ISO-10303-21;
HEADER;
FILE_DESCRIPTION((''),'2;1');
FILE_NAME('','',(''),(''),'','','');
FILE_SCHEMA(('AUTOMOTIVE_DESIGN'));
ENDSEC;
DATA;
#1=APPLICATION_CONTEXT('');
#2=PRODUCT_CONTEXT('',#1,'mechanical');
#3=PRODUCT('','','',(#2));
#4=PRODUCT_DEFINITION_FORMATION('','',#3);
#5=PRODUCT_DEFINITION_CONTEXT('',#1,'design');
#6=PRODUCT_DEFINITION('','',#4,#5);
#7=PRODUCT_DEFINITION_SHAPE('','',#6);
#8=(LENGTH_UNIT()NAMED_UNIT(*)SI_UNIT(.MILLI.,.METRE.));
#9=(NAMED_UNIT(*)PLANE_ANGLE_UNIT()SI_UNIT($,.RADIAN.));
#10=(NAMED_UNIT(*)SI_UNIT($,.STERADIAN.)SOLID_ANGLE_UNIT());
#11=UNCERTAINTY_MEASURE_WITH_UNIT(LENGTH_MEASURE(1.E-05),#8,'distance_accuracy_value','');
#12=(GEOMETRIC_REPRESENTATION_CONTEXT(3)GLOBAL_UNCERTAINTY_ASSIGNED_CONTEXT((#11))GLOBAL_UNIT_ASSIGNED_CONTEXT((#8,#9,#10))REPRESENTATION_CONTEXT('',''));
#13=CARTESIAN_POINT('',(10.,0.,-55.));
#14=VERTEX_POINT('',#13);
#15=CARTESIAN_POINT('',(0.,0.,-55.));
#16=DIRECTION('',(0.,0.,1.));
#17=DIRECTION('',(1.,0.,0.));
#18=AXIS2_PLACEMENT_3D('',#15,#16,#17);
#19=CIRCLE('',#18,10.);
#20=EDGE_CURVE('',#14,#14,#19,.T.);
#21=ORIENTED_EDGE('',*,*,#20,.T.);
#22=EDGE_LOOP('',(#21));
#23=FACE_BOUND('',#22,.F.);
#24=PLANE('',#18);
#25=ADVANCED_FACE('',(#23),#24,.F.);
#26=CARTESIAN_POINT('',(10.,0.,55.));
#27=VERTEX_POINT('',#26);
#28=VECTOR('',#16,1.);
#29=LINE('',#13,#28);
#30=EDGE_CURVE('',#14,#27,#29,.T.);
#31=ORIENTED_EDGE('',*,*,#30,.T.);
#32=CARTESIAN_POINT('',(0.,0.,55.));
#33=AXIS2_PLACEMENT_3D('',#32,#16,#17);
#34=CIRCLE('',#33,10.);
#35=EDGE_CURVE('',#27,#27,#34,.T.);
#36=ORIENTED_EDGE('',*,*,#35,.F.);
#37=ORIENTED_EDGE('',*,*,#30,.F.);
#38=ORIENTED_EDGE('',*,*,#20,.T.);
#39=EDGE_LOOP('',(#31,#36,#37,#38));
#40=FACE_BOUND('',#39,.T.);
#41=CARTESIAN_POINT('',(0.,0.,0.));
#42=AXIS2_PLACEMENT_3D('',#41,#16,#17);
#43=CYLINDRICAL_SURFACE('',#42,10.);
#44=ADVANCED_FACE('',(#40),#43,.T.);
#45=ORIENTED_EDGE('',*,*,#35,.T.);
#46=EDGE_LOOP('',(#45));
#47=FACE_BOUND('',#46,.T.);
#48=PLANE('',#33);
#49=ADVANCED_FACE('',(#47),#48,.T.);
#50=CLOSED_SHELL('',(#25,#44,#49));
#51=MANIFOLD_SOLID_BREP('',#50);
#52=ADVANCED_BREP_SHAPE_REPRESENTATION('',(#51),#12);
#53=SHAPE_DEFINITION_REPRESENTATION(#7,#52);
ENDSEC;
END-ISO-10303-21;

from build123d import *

# Parameters (mm, degrees)
BOSS_EXTRU_1_DEPTH      = 55
BOSS_EXTRU_1_DEPTH_BACK = 55
ESQUISSE1_R             = 10


with BuildPart() as part:
    # Esquisse1 → Boss.-Extru.1 (new, two sides: drawn at the far end of the back side and taken through both)
    with BuildSketch(Plane.XY.offset(-BOSS_EXTRU_1_DEPTH_BACK)):
        Circle(ESQUISSE1_R)
    extrude(amount=BOSS_EXTRU_1_DEPTH + BOSS_EXTRU_1_DEPTH_BACK)


solid = part.part
